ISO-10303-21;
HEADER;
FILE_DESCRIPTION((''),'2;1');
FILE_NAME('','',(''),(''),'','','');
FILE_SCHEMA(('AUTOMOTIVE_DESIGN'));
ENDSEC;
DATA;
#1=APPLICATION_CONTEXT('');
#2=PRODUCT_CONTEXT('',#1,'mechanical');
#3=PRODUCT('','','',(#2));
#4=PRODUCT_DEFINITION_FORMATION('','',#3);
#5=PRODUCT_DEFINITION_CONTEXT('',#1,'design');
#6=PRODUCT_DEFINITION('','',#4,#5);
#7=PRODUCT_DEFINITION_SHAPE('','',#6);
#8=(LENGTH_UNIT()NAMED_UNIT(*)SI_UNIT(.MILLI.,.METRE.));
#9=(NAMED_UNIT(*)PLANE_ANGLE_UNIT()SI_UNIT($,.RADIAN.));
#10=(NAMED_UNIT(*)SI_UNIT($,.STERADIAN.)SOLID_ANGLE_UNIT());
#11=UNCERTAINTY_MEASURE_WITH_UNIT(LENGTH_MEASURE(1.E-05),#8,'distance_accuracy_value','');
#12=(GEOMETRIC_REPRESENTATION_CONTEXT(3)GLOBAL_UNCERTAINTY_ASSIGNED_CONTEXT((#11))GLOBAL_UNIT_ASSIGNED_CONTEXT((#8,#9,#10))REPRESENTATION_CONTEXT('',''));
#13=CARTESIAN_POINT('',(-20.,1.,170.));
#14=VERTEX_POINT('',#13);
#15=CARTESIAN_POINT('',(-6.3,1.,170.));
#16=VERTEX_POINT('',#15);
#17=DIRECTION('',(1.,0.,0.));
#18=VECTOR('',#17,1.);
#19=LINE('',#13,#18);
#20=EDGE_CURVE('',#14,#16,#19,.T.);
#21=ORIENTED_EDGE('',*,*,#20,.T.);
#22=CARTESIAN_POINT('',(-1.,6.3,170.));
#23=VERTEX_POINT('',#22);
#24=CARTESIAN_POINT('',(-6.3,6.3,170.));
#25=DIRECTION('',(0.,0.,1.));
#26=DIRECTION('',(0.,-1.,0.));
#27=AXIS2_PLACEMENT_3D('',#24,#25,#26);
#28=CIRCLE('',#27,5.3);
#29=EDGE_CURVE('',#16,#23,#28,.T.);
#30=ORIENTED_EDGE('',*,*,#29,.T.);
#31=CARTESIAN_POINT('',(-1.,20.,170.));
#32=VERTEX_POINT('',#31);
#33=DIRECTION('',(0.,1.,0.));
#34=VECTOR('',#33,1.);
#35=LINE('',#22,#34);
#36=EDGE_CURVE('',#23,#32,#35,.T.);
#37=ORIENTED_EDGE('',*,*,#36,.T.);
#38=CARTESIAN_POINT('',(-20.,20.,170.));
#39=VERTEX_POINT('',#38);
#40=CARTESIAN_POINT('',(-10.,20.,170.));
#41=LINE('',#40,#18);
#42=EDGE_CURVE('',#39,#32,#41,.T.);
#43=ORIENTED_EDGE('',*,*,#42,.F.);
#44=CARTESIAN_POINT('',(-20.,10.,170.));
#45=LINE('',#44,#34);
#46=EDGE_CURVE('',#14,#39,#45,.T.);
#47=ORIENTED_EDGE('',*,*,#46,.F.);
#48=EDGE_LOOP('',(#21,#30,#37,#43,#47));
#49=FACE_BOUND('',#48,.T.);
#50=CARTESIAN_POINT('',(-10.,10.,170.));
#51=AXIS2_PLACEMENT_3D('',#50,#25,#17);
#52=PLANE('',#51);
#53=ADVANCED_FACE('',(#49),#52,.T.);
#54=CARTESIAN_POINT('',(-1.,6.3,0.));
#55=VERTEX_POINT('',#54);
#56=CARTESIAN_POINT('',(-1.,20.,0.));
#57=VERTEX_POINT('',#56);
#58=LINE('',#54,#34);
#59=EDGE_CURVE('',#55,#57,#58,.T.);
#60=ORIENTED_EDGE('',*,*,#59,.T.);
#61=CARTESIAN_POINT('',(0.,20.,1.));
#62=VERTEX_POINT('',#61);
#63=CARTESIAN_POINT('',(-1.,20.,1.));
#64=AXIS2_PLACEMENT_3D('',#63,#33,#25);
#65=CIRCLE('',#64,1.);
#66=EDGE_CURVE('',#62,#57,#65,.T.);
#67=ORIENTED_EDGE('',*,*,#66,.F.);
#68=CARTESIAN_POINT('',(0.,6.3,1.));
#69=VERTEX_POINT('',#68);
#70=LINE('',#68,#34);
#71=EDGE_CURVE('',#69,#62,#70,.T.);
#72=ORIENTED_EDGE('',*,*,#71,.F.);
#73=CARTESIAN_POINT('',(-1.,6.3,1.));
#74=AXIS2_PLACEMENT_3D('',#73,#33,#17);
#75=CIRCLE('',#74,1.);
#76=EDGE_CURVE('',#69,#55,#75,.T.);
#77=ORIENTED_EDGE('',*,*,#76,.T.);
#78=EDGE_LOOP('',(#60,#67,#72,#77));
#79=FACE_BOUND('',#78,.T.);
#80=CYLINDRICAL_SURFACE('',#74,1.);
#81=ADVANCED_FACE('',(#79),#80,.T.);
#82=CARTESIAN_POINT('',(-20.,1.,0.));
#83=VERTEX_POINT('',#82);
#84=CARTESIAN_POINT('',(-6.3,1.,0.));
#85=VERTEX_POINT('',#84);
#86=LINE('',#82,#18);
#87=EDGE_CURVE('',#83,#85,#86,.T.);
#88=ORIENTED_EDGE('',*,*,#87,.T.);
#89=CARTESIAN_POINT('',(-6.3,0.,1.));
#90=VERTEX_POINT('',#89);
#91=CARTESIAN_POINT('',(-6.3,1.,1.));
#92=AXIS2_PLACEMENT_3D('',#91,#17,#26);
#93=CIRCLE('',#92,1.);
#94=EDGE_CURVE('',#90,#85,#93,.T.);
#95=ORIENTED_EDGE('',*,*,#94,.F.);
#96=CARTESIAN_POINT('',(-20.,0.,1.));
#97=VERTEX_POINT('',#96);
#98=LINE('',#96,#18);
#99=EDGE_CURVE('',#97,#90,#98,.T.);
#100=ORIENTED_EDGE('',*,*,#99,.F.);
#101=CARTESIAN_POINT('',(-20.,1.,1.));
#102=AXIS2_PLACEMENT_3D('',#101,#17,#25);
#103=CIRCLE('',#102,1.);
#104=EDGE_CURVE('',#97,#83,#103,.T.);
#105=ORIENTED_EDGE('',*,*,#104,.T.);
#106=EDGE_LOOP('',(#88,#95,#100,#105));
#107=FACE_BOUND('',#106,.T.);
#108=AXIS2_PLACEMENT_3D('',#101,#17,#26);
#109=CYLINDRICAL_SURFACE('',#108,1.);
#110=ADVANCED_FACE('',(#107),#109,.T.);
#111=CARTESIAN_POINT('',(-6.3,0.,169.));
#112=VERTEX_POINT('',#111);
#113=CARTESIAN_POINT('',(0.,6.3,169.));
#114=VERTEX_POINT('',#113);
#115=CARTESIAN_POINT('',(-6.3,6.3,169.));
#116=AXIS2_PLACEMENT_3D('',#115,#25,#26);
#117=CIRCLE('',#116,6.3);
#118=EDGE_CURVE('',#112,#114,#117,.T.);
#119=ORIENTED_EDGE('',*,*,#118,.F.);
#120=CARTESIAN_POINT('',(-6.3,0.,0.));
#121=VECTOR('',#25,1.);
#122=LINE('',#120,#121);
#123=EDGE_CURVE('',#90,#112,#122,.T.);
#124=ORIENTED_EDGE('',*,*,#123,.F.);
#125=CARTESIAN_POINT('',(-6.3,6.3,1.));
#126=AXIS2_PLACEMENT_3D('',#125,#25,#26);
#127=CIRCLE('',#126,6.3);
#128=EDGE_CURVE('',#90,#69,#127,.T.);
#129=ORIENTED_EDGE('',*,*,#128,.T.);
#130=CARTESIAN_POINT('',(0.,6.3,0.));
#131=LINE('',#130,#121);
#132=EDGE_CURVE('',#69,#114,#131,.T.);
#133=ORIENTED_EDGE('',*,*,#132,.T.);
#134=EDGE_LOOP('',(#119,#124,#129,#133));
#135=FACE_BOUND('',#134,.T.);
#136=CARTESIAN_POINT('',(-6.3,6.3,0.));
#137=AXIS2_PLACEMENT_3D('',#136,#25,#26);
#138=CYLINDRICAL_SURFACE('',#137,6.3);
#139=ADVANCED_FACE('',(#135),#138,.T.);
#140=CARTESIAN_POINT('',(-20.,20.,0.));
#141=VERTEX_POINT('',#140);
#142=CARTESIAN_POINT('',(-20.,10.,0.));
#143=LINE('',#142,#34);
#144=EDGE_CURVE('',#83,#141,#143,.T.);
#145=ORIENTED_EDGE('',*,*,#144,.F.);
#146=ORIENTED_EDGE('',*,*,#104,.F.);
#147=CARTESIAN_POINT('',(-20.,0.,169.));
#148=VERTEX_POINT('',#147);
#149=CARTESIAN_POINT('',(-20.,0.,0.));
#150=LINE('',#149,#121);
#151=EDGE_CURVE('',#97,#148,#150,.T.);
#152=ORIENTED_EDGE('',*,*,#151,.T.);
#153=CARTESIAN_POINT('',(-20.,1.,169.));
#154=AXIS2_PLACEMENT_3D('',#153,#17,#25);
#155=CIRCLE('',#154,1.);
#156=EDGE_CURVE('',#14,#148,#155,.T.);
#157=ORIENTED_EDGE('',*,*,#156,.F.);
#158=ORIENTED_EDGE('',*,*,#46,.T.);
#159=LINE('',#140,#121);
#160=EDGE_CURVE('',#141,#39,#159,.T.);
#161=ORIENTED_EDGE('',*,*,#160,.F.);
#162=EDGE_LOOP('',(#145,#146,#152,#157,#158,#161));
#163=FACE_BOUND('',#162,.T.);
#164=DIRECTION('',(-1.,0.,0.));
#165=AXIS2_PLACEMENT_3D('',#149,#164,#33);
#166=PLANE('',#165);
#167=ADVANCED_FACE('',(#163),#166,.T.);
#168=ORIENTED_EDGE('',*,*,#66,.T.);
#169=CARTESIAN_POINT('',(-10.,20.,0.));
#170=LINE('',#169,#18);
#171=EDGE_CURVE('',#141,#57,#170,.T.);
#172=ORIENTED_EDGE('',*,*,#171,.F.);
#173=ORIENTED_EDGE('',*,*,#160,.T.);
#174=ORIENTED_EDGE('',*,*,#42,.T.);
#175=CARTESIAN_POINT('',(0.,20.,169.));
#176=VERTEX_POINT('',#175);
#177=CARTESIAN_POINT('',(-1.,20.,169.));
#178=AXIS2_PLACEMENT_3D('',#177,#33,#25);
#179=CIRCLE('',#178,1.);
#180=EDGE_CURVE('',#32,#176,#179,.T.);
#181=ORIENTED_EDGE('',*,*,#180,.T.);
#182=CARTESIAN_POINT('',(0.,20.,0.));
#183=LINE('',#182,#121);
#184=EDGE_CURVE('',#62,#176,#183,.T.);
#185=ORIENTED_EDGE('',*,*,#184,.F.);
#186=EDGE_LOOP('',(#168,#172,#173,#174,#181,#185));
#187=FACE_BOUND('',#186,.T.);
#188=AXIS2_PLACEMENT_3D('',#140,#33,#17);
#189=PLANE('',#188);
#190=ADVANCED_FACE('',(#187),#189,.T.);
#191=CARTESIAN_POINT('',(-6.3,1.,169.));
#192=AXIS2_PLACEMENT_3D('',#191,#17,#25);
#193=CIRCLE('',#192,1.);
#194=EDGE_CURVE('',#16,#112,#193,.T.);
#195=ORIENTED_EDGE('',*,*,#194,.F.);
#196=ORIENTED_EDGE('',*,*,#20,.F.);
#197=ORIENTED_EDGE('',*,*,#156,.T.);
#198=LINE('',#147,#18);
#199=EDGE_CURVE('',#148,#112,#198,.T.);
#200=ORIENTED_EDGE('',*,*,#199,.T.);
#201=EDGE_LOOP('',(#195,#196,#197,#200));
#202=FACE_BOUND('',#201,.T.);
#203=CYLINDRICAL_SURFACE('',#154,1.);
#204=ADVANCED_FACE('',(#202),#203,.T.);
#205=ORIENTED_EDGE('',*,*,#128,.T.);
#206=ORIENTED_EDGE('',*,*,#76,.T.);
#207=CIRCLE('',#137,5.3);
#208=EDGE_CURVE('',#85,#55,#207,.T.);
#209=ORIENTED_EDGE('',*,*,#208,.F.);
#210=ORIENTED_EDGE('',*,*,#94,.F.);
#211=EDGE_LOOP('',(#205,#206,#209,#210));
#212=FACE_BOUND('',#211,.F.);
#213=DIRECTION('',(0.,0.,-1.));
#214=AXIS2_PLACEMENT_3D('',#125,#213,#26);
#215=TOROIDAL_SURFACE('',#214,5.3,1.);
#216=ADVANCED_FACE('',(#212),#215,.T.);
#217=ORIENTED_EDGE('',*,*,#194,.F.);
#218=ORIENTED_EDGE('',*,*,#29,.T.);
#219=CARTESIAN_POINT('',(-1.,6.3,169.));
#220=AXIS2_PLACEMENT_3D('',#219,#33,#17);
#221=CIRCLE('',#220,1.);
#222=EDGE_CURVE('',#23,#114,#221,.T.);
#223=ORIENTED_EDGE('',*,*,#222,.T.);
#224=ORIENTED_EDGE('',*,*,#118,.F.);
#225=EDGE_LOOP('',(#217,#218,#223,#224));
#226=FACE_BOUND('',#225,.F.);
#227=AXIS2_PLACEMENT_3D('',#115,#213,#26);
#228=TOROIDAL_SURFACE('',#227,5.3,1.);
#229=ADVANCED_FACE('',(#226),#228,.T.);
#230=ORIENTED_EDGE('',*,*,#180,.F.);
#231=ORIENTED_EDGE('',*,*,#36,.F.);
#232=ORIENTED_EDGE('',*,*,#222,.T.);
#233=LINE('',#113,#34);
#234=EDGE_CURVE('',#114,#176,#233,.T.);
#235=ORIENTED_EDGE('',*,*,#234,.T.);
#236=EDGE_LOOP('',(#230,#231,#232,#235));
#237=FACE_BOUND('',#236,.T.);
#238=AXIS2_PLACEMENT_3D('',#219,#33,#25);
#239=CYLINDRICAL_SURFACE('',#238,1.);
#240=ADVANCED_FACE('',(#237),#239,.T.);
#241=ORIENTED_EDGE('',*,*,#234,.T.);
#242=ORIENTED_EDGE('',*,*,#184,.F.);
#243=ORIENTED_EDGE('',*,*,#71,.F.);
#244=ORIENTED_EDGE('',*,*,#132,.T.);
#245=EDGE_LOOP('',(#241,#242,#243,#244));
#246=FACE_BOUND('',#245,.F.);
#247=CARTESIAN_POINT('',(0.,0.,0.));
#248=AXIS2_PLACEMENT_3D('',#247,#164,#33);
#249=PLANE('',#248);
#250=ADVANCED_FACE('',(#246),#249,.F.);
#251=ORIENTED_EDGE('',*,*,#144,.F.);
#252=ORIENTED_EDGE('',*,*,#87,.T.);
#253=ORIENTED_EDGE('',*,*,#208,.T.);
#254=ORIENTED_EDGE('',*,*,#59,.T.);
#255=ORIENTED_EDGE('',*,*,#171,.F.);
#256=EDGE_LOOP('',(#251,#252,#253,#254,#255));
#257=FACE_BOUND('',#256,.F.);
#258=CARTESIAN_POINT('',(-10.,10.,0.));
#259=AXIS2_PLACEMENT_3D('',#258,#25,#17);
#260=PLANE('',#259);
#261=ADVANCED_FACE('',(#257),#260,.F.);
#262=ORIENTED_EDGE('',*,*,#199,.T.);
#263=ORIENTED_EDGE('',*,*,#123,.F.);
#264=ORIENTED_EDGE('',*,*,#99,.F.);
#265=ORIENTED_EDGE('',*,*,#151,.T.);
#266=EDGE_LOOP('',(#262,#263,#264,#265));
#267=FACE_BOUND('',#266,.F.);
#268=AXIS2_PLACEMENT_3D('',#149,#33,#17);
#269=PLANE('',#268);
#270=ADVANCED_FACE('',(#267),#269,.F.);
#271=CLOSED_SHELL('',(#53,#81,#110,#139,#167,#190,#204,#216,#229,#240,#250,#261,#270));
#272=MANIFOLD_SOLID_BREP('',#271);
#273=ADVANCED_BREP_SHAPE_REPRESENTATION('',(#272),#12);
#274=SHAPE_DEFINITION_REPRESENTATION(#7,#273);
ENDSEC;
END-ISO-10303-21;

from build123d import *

# Parameters (mm, degrees)
SKETCH_W    = 20
SKETCH_H    = 20
PAD_DEPTH   = 170
FILLET_R    = 6.3
FILLET001_R = 1
FILLET002_R = 1


with BuildPart() as part:
    # Sketch → Pad (new body)
    with BuildSketch(Plane.XY):
        with Locations((-10, 10)):
            Rectangle(SKETCH_W, SKETCH_H)
    extrude(amount=PAD_DEPTH)

    # Fillet
    fillet_edges = [part.edges().sort_by_distance(p)[0] for p in [
        (0, 0, 85),
    ]]
    fillet(fillet_edges, radius=FILLET_R)

    # Fillet001
    fillet001_edges = [part.edges().sort_by_distance(p)[0] for p in [
        (0, 13.15, 170),
    ]]
    fillet(fillet001_edges, radius=FILLET001_R)

    # Fillet002
    fillet002_edges = [part.edges().sort_by_distance(p)[0] for p in [
        (-1.845227, 1.845227, 0),
    ]]
    fillet(fillet002_edges, radius=FILLET002_R)


solid = part.part
